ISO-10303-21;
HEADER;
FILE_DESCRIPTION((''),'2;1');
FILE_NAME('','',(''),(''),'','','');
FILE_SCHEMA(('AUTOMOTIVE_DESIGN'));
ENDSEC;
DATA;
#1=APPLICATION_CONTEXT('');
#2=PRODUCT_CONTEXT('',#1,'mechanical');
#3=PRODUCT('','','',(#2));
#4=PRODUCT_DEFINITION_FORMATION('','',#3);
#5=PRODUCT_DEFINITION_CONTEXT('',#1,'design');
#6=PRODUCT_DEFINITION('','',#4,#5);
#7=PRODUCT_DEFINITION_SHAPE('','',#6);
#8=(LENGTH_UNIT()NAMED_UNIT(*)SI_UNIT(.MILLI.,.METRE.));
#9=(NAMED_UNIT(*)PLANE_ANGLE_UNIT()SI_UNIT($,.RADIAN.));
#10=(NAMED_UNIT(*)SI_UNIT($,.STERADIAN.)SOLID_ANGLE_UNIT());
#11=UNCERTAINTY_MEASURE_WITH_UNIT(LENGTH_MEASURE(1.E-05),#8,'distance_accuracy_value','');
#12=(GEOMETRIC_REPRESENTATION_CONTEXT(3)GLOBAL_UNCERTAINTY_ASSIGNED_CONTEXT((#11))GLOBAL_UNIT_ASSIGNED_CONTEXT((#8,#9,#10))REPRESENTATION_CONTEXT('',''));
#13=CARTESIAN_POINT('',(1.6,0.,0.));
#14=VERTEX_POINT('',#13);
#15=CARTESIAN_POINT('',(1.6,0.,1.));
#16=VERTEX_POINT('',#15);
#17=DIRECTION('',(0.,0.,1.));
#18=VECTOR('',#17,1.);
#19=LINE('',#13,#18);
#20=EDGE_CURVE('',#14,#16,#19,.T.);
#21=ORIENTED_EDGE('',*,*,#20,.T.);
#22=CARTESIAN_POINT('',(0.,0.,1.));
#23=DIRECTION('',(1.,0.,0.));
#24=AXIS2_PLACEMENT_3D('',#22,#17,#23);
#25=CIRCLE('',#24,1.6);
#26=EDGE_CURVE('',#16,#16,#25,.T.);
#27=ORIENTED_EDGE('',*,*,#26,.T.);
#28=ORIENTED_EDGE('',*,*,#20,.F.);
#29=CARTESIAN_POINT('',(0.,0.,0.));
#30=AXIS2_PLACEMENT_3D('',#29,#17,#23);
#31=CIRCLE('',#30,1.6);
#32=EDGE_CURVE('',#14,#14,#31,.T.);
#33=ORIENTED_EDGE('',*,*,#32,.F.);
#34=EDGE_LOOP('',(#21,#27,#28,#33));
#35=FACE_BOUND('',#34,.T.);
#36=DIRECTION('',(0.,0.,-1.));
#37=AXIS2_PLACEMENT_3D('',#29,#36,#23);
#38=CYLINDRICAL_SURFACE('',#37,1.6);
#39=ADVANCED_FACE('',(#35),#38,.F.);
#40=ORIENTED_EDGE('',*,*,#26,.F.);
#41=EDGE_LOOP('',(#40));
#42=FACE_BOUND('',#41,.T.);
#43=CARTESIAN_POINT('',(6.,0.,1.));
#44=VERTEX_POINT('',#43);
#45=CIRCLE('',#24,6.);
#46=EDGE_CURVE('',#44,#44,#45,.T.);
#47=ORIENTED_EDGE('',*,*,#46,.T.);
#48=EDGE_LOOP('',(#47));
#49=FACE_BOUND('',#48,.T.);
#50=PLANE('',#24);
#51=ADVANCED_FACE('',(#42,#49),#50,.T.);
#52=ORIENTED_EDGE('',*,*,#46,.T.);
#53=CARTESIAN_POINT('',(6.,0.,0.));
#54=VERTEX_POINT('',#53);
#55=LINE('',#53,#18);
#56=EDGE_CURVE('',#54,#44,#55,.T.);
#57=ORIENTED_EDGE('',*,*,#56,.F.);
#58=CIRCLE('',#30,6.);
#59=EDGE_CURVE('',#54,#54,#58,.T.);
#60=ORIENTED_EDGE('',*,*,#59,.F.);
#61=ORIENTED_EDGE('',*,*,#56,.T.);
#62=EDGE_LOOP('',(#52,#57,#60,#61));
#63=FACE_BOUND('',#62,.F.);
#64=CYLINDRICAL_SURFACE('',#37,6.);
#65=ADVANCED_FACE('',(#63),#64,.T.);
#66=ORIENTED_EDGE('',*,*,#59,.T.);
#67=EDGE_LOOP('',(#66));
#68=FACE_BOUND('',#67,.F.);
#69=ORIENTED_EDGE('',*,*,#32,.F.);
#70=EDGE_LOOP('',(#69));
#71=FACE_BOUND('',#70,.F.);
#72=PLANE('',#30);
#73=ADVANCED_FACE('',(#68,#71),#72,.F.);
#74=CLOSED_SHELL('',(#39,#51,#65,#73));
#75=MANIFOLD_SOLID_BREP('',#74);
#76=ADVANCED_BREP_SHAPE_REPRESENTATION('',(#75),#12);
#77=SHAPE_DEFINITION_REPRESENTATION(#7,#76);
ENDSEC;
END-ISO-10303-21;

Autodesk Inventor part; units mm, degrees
ref_plane "YZ Plane" through (0, 0, 0) normal (1, 0, 0) x (0, 1, 0)
ref_plane "XZ Plane" through (0, 0, 0) normal (0, 1, 0) x (-1, 0, 0)
ref_plane "XY Plane" through (0, 0, 0) normal (0, 0, 1) x (1, 0, 0)
sketch "スケッチ1" plane through (0, 0, 0) normal (0, 0, 1) x (1, 0, 0)
  circle A0 centre (0, 0) radius 1.6
  circle A1 centre (0, 0) radius 6
  dimension "d0" = 3.2
  dimension "d1" = 12
extrude "押し出し1" add sketch "スケッチ1" along normal blind 1
properties part number "UUW-0312-10BH" material "ステンレス鋼 AISI 304"
